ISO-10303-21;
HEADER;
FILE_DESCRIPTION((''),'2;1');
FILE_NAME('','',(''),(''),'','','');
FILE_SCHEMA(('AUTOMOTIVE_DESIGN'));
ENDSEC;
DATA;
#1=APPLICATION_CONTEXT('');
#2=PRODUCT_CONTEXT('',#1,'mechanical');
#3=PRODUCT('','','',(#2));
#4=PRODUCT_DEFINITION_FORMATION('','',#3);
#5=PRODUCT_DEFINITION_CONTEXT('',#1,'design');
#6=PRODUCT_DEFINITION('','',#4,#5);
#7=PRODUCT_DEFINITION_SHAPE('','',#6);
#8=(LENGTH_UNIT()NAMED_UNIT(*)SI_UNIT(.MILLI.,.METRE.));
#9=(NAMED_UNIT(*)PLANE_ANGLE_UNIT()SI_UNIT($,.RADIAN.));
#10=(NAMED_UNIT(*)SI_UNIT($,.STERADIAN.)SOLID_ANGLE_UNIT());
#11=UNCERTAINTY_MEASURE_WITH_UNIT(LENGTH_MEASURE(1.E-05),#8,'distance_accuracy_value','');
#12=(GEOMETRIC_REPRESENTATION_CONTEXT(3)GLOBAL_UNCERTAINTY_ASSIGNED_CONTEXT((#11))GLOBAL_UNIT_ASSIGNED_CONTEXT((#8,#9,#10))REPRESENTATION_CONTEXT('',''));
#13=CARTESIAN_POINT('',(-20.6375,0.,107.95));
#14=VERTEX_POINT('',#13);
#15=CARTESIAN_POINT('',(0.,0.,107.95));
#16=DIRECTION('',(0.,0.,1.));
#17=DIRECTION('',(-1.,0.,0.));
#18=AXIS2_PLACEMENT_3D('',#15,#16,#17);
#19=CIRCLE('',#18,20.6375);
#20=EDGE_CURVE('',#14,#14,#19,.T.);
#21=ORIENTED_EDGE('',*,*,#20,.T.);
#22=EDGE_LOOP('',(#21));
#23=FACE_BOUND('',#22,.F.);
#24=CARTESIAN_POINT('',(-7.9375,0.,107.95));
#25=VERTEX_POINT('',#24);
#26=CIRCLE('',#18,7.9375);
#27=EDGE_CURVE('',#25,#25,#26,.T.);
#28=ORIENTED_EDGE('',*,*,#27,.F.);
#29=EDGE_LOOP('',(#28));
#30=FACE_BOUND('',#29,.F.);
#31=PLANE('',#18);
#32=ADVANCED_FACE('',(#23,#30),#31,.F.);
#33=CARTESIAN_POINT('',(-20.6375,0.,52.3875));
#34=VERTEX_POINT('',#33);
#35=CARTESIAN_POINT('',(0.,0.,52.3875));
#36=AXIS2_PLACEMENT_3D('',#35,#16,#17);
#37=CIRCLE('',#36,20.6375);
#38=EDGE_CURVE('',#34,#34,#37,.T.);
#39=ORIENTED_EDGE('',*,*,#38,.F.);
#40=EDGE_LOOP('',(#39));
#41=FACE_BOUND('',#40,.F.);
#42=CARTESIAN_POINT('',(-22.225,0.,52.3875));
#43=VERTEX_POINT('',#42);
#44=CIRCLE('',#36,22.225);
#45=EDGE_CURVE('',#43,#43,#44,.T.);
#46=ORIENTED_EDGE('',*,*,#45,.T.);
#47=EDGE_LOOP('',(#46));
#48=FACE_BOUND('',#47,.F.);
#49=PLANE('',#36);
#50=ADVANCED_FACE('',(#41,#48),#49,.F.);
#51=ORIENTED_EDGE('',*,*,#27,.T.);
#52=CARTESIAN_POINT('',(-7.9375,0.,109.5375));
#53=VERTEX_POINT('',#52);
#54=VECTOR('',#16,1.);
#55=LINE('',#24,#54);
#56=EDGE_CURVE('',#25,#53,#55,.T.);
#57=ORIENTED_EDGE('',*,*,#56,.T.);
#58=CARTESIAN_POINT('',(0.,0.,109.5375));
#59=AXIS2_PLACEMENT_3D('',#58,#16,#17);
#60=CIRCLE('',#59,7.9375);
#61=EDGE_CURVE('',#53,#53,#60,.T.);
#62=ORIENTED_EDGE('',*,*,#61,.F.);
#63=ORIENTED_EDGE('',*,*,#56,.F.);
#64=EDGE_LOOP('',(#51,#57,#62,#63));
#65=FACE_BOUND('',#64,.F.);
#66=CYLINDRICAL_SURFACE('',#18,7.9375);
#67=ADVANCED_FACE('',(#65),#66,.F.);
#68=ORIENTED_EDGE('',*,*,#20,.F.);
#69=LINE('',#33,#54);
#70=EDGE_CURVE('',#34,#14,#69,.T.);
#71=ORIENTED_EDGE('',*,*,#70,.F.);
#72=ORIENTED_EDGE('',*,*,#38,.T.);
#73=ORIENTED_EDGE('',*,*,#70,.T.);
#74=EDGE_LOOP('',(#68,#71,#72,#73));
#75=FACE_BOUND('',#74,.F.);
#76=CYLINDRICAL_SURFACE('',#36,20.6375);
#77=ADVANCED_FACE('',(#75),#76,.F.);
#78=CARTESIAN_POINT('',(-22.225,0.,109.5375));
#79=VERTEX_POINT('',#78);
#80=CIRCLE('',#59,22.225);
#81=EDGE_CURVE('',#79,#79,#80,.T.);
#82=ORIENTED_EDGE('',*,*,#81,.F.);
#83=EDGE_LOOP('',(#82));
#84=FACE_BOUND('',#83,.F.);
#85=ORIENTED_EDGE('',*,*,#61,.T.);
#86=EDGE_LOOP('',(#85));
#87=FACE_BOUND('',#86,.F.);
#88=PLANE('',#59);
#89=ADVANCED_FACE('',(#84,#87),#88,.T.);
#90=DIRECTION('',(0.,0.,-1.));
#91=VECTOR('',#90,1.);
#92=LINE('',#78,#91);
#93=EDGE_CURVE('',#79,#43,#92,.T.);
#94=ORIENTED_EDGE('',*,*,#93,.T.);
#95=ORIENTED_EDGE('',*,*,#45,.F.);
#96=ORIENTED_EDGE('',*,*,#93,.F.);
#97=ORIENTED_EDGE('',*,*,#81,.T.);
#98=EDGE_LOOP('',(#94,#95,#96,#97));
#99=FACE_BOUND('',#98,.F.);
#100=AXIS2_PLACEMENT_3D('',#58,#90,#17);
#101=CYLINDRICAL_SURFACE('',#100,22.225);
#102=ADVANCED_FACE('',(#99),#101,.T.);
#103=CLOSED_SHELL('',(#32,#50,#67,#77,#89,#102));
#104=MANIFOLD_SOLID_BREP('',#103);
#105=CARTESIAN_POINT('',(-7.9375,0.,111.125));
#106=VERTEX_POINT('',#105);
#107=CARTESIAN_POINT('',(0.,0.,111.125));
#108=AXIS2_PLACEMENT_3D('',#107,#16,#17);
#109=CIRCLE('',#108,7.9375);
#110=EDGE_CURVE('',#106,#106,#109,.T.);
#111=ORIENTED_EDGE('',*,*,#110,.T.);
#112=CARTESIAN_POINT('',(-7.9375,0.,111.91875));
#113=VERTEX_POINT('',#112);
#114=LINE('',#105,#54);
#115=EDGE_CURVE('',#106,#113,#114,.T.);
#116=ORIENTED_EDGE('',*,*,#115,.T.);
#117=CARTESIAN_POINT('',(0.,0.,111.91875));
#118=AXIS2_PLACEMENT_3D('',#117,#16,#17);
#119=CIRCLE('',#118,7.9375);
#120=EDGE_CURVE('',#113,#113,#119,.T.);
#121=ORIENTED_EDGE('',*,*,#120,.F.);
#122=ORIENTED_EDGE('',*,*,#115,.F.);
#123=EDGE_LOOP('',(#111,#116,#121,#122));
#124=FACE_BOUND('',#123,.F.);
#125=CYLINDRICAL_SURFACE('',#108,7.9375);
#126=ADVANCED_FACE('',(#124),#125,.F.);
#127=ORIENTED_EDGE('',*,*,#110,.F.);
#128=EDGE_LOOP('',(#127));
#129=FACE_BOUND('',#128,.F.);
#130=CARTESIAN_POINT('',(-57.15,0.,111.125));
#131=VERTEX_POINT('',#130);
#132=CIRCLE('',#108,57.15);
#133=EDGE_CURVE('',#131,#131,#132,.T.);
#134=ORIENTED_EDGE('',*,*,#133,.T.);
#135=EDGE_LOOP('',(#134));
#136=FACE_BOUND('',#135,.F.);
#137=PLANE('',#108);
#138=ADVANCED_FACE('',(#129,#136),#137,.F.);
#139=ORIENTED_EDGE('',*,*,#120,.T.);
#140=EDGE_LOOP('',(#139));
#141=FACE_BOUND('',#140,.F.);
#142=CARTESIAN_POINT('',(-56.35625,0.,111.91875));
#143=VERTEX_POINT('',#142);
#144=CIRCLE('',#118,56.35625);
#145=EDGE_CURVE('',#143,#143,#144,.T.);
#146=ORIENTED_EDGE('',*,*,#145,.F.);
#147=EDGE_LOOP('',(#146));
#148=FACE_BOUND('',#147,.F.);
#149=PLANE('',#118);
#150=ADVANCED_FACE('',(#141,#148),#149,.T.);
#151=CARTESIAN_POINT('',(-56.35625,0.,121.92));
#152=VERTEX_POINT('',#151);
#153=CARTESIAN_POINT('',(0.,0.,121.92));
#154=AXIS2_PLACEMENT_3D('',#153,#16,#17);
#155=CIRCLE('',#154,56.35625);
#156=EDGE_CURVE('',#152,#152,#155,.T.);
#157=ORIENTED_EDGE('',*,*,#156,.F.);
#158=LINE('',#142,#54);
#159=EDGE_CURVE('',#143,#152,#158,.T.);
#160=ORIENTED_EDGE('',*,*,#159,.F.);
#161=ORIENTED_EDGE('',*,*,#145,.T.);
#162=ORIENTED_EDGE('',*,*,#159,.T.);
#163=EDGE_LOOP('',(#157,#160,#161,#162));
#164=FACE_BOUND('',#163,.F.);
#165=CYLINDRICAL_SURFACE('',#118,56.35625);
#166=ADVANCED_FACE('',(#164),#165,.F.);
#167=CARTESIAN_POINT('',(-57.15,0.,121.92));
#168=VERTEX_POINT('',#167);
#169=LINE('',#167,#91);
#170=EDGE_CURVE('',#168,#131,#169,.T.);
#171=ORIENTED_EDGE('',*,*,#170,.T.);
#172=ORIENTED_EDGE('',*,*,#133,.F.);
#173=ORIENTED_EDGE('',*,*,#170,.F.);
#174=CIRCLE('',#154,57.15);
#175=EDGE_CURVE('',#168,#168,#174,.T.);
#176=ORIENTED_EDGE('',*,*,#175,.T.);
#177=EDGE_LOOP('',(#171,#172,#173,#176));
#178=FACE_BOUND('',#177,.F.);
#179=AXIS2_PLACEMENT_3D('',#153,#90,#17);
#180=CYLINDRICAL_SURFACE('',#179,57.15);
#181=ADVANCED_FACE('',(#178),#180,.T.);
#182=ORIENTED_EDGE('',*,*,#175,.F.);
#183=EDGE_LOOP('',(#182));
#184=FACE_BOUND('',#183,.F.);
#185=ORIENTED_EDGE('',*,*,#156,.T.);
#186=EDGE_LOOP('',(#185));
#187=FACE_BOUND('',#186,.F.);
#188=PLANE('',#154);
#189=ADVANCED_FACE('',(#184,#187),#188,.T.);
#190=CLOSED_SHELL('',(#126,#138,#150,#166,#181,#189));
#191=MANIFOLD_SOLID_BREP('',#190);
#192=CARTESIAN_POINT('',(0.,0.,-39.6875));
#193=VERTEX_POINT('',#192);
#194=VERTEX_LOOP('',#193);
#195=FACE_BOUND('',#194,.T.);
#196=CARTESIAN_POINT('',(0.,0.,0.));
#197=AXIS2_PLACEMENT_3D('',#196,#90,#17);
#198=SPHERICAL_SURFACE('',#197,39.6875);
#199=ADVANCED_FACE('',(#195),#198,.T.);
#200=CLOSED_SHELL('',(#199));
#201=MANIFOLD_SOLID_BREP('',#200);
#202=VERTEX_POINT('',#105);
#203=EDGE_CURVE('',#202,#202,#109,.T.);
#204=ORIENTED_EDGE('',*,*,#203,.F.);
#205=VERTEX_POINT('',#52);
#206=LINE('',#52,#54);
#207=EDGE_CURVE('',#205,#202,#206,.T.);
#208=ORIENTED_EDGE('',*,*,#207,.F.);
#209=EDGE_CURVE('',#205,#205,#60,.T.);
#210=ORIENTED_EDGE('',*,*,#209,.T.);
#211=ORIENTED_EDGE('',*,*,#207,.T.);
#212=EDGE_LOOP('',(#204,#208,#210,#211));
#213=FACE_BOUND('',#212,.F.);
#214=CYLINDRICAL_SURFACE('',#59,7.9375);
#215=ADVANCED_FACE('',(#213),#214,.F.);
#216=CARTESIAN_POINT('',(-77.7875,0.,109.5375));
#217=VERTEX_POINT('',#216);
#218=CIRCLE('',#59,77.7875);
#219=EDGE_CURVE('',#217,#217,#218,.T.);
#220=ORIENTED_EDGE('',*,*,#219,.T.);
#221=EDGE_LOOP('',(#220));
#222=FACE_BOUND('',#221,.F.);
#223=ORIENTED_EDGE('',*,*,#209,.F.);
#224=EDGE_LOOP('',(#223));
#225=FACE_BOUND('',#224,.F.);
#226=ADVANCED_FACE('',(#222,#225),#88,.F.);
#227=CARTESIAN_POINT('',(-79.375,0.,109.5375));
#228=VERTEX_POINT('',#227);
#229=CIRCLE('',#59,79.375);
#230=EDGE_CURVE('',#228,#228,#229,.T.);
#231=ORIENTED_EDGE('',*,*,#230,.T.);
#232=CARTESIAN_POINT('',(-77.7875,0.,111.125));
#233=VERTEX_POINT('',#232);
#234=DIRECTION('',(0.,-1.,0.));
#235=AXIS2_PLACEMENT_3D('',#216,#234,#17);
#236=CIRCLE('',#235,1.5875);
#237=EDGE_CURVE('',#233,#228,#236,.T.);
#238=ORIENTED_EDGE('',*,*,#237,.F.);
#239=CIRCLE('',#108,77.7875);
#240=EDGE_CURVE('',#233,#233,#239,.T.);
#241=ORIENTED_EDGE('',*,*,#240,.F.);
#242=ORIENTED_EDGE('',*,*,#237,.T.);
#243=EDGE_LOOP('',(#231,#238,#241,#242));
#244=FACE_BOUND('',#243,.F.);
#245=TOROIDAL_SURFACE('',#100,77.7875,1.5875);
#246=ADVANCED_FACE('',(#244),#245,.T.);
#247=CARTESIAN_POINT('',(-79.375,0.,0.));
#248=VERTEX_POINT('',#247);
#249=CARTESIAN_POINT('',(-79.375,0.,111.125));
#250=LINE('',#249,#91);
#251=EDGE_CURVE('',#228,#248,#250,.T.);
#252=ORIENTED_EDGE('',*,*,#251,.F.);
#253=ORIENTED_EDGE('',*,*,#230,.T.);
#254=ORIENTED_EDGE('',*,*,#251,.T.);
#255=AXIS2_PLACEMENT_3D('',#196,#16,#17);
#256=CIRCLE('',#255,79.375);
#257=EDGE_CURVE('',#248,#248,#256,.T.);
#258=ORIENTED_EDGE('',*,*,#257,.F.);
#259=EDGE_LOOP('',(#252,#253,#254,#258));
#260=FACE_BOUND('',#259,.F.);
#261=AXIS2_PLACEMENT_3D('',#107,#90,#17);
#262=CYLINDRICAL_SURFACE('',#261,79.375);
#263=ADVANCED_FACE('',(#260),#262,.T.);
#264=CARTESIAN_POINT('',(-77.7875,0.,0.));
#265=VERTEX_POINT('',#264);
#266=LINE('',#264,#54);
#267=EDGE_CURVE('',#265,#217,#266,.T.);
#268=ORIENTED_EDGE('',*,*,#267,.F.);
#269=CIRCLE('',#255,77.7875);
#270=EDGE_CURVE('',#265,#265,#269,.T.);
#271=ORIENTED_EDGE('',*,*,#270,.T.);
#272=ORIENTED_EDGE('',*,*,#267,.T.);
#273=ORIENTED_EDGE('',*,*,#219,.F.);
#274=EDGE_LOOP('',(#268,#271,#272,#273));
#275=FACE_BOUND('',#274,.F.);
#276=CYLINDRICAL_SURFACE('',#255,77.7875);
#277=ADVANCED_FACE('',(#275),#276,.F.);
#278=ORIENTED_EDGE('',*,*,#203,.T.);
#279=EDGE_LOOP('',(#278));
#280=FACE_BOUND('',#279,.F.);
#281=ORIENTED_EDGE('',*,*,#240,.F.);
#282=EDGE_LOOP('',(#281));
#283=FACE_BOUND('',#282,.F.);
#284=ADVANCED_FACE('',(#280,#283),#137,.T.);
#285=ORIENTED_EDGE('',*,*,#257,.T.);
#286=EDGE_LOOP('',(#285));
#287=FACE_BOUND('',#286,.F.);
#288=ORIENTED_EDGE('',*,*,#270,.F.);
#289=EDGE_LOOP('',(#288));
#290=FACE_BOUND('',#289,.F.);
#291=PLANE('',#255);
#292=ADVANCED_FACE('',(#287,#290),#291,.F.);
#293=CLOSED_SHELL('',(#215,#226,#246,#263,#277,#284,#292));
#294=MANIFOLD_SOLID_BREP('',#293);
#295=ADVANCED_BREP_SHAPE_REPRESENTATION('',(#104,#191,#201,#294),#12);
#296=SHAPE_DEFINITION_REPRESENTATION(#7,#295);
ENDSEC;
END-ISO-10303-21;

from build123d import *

# Parameters (mm, degrees)
F3_R = 1.5875


with BuildPart() as f1:
    # F0 (on Front) → F1 (revolve)
    with BuildSketch(Plane.XZ):
        with BuildLine():
            Line((0, -39.6875), (0, 39.6875))
            ThreePointArc((0, 39.6875), (-39.6875, 0), (0, -39.6875))
        make_face()
    revolve(axis=Axis((0, 0, 0), (0, 0, -1)))


with BuildPart() as f2:
    # F0 (on Front) → F2 (revolve)
    with BuildSketch(Plane.XZ):
        Polygon((-79.375, 0), (-77.7875, 0), (-77.7875, 109.5375), (-22.225, 109.5375), (-7.9375, 109.5375), (-7.9375, 111.125), (-57.15, 111.125), (-79.375, 111.125), align=None)
    revolve(axis=Axis((0, 0, 61.009362), (0, 0, 1)))

    # F3
    f3_edges = [f2.edges().sort_by_distance(p)[0] for p in [
        (79.375, 0, 111.125),
    ]]
    fillet(f3_edges, radius=F3_R)


with BuildPart() as f4:
    # F0 (on Front) → F4 (revolve)
    with BuildSketch(Plane.XZ):
        Polygon((-57.15, 121.92), (-57.15, 111.125), (-7.9375, 111.125), (-7.9375, 111.91875), (-56.35625, 111.91875), (-56.35625, 121.92), align=None)
    revolve(axis=Axis((0, 0, 61.009362), (0, 0, 1)))


with BuildPart() as f5:
    # F0 (on Front) → F5 (revolve)
    with BuildSketch(Plane.XZ):
        Polygon((-7.9375, 109.5375), (-22.225, 109.5375), (-22.225, 52.3875), (-20.6375, 52.3875), (-20.6375, 107.95), (-7.9375, 107.95), align=None)
    revolve(axis=Axis((0, 0, 61.009362), (0, 0, 1)))


solid = Compound([f1.part, f2.part, f4.part, f5.part])
